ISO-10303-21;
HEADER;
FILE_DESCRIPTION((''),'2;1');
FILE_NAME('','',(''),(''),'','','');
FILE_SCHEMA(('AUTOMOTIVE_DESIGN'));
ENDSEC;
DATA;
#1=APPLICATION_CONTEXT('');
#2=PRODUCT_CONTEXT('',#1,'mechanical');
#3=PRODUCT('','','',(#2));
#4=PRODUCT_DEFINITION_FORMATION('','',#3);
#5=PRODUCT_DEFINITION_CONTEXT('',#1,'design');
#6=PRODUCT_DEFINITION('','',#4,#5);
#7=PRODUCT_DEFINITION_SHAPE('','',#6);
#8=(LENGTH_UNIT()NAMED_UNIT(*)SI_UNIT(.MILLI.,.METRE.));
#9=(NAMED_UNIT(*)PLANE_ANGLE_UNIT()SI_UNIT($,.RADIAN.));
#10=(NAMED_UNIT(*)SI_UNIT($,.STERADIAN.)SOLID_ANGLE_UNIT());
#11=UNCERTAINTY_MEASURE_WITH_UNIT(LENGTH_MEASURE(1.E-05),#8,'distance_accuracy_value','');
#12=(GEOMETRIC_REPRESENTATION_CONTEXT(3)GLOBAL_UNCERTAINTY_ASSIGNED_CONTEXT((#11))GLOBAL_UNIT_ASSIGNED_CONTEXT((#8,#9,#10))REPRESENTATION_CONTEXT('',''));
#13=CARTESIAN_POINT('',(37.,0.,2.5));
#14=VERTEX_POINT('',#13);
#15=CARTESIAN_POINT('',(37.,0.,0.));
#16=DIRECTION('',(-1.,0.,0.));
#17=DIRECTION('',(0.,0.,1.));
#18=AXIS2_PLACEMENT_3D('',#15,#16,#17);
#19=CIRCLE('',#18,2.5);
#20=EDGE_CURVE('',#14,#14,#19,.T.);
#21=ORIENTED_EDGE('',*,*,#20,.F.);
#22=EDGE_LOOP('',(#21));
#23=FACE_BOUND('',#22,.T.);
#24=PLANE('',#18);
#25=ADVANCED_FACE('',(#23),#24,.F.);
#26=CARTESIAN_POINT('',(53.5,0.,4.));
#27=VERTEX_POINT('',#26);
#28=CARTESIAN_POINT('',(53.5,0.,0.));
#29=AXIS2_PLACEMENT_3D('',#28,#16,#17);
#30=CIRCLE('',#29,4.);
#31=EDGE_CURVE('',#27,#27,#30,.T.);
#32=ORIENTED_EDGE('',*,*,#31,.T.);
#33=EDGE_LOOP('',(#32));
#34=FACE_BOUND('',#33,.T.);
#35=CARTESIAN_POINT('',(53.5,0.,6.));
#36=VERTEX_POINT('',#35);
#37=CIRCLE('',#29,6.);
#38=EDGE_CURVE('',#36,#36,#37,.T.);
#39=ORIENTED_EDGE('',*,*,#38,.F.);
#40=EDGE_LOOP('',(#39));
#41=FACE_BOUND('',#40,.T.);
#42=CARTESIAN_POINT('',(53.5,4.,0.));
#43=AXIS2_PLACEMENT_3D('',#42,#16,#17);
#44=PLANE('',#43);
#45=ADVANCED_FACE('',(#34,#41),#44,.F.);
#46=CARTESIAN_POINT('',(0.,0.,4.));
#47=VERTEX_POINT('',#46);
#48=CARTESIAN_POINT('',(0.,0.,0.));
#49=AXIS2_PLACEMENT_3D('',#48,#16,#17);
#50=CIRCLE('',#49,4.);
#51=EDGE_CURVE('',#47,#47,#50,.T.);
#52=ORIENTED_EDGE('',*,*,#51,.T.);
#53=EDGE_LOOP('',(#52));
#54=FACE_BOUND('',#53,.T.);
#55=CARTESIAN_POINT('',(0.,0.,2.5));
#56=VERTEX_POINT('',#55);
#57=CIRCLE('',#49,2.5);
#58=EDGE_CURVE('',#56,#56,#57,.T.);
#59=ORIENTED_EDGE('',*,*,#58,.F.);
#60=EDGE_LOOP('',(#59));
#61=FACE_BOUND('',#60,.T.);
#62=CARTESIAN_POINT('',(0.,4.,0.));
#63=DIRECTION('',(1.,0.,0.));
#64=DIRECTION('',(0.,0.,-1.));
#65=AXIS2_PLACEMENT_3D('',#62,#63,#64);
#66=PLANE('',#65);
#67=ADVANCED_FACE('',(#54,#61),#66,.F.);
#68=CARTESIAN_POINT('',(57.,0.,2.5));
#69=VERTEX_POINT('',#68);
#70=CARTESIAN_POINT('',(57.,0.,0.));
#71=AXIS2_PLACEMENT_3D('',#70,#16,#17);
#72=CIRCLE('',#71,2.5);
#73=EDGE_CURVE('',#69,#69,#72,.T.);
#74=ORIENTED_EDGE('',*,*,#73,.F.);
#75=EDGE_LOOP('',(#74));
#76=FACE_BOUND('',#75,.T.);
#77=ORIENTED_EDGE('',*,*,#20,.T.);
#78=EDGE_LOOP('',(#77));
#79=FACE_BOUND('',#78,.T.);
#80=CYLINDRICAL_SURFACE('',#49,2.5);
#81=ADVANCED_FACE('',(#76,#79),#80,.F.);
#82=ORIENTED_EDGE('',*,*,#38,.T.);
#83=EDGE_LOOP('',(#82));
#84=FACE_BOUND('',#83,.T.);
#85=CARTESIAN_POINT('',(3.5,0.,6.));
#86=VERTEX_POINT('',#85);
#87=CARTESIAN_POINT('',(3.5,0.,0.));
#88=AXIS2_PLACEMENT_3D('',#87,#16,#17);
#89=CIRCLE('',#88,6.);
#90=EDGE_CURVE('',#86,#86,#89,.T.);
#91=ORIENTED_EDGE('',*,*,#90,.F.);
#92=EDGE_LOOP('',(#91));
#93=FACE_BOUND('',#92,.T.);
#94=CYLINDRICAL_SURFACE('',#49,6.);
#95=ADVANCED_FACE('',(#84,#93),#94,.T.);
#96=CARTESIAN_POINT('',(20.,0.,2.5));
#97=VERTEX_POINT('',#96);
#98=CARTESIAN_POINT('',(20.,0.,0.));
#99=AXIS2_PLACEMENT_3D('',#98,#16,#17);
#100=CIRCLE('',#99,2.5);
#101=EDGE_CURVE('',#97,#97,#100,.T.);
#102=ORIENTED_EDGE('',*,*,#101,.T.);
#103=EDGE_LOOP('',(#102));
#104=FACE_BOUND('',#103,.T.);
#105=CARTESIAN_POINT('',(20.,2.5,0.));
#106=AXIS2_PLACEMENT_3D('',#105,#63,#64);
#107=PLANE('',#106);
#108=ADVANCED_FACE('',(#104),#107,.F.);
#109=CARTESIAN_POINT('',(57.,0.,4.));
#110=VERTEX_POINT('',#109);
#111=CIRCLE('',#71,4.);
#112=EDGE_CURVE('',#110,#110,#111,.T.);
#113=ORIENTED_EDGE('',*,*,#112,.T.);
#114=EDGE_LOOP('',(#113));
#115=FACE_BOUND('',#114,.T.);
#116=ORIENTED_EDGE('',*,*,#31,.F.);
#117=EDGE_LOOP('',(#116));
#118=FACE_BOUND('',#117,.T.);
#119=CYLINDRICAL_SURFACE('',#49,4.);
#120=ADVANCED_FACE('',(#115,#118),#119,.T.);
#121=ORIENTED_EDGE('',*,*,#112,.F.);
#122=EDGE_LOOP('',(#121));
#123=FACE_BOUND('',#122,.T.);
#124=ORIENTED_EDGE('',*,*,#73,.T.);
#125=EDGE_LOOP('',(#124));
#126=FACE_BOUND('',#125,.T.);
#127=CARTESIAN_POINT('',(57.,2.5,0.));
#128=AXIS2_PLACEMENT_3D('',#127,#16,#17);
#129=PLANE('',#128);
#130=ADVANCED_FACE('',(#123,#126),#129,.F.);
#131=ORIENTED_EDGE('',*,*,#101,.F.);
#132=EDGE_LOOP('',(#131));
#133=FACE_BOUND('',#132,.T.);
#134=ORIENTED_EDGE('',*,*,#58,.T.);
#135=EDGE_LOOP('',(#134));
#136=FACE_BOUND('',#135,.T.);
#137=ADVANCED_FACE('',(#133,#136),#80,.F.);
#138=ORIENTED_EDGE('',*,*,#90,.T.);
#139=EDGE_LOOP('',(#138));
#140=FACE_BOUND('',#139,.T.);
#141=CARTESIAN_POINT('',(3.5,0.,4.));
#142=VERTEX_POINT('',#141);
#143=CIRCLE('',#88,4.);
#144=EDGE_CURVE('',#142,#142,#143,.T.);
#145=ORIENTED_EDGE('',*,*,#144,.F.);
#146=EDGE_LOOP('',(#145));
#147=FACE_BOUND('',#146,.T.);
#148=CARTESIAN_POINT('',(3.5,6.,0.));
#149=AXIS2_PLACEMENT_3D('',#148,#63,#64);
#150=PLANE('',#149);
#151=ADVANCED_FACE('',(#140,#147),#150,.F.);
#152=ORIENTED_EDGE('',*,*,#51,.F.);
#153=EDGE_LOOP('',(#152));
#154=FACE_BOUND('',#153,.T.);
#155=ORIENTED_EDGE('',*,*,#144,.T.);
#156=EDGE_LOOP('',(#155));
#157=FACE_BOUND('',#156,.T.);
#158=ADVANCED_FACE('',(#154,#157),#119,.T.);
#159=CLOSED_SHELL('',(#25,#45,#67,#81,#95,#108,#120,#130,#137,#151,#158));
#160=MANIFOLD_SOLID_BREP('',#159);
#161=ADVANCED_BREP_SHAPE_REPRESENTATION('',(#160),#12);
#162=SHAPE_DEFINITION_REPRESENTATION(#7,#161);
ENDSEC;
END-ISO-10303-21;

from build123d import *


with BuildPart() as part:
    # Sketch1 → Revolve1 (revolve)
    with BuildSketch(Plane.XY, mode=Mode.PRIVATE) as revolve1_sk:
        Polygon((0, 2.5), (20, 2.5), (20, 0), (37, 0), (37, 2.5), (57, 2.5), (57, 4), (53.5, 4), (53.5, 6), (3.5, 6), (3.5, 4), (0, 4), align=None)
    revolve(revolve1_sk.sketch.rotate(Axis((0, 0, 0), (1, 0, 0)), 90), axis=Axis((0, 0, 0), (1, 0, 0)))


solid = part.part
